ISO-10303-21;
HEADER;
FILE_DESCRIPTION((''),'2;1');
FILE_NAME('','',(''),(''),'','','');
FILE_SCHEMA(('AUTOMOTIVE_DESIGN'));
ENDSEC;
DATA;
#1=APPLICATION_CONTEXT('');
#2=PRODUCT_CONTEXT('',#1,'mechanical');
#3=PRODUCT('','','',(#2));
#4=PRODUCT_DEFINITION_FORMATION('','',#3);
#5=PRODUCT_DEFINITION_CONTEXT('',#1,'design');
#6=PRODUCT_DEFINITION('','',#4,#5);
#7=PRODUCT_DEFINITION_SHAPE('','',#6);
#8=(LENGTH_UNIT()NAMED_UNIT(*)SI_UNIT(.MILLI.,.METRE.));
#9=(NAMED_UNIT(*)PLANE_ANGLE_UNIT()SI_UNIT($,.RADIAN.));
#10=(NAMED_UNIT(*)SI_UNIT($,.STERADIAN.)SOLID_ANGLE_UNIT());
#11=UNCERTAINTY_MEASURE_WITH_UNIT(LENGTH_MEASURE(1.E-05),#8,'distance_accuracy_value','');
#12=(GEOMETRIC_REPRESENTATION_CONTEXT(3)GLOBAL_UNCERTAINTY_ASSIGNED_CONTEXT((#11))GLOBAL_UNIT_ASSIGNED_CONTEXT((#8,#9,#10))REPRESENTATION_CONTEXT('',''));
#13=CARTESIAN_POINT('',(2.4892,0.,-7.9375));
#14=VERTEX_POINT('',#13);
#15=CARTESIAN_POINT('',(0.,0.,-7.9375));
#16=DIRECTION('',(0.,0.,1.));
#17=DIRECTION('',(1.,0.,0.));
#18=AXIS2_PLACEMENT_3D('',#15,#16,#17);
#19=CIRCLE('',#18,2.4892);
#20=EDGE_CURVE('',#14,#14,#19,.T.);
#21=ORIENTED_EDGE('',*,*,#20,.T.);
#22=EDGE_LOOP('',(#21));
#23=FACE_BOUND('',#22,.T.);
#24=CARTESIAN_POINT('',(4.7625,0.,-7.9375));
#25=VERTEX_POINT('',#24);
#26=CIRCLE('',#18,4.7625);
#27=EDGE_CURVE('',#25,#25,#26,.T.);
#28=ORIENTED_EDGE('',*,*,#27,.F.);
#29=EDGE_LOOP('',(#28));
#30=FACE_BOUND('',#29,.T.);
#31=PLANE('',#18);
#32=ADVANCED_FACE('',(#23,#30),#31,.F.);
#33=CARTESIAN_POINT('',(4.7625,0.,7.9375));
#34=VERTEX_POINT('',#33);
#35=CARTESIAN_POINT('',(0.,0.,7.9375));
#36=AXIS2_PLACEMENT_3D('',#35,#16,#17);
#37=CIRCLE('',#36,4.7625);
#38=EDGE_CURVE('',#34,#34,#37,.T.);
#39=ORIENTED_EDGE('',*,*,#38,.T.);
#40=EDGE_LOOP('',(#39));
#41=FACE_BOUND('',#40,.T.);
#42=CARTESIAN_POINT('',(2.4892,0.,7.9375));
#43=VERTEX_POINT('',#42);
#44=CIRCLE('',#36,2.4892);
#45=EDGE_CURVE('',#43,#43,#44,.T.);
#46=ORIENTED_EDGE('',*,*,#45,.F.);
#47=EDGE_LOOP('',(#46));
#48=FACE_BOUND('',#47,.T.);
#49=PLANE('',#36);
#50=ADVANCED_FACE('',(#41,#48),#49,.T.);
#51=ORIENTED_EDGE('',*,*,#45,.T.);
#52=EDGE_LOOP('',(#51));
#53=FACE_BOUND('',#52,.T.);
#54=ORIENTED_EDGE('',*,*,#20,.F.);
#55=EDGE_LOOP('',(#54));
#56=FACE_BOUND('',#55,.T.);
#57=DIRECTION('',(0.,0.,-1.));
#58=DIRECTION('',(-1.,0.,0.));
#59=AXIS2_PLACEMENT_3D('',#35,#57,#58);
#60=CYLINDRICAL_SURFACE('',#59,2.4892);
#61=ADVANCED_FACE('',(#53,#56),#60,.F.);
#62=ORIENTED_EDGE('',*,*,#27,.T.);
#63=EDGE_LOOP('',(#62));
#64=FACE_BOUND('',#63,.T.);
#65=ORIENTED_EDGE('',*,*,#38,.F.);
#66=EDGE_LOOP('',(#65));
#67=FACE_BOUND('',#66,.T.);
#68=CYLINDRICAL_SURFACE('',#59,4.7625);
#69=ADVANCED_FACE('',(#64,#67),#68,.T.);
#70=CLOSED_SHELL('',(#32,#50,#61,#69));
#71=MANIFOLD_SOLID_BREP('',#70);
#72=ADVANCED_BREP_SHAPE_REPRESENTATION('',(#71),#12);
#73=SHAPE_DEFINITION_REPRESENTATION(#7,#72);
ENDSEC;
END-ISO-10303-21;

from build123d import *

# Parameters (mm, degrees)
SKETCH1_R           = 4.7625
SKETCH1_R_2         = 2.4892
BOSS_EXTRUDE1_DEPTH = 7.9375


with BuildPart() as part:
    # Sketch1 → Boss-Extrude1 (new body, symmetric)
    with BuildSketch(Plane.XY):
        Circle(SKETCH1_R)
        Circle(SKETCH1_R_2, mode=Mode.SUBTRACT)
    extrude(amount=BOSS_EXTRUDE1_DEPTH, both=True)


solid = part.part
